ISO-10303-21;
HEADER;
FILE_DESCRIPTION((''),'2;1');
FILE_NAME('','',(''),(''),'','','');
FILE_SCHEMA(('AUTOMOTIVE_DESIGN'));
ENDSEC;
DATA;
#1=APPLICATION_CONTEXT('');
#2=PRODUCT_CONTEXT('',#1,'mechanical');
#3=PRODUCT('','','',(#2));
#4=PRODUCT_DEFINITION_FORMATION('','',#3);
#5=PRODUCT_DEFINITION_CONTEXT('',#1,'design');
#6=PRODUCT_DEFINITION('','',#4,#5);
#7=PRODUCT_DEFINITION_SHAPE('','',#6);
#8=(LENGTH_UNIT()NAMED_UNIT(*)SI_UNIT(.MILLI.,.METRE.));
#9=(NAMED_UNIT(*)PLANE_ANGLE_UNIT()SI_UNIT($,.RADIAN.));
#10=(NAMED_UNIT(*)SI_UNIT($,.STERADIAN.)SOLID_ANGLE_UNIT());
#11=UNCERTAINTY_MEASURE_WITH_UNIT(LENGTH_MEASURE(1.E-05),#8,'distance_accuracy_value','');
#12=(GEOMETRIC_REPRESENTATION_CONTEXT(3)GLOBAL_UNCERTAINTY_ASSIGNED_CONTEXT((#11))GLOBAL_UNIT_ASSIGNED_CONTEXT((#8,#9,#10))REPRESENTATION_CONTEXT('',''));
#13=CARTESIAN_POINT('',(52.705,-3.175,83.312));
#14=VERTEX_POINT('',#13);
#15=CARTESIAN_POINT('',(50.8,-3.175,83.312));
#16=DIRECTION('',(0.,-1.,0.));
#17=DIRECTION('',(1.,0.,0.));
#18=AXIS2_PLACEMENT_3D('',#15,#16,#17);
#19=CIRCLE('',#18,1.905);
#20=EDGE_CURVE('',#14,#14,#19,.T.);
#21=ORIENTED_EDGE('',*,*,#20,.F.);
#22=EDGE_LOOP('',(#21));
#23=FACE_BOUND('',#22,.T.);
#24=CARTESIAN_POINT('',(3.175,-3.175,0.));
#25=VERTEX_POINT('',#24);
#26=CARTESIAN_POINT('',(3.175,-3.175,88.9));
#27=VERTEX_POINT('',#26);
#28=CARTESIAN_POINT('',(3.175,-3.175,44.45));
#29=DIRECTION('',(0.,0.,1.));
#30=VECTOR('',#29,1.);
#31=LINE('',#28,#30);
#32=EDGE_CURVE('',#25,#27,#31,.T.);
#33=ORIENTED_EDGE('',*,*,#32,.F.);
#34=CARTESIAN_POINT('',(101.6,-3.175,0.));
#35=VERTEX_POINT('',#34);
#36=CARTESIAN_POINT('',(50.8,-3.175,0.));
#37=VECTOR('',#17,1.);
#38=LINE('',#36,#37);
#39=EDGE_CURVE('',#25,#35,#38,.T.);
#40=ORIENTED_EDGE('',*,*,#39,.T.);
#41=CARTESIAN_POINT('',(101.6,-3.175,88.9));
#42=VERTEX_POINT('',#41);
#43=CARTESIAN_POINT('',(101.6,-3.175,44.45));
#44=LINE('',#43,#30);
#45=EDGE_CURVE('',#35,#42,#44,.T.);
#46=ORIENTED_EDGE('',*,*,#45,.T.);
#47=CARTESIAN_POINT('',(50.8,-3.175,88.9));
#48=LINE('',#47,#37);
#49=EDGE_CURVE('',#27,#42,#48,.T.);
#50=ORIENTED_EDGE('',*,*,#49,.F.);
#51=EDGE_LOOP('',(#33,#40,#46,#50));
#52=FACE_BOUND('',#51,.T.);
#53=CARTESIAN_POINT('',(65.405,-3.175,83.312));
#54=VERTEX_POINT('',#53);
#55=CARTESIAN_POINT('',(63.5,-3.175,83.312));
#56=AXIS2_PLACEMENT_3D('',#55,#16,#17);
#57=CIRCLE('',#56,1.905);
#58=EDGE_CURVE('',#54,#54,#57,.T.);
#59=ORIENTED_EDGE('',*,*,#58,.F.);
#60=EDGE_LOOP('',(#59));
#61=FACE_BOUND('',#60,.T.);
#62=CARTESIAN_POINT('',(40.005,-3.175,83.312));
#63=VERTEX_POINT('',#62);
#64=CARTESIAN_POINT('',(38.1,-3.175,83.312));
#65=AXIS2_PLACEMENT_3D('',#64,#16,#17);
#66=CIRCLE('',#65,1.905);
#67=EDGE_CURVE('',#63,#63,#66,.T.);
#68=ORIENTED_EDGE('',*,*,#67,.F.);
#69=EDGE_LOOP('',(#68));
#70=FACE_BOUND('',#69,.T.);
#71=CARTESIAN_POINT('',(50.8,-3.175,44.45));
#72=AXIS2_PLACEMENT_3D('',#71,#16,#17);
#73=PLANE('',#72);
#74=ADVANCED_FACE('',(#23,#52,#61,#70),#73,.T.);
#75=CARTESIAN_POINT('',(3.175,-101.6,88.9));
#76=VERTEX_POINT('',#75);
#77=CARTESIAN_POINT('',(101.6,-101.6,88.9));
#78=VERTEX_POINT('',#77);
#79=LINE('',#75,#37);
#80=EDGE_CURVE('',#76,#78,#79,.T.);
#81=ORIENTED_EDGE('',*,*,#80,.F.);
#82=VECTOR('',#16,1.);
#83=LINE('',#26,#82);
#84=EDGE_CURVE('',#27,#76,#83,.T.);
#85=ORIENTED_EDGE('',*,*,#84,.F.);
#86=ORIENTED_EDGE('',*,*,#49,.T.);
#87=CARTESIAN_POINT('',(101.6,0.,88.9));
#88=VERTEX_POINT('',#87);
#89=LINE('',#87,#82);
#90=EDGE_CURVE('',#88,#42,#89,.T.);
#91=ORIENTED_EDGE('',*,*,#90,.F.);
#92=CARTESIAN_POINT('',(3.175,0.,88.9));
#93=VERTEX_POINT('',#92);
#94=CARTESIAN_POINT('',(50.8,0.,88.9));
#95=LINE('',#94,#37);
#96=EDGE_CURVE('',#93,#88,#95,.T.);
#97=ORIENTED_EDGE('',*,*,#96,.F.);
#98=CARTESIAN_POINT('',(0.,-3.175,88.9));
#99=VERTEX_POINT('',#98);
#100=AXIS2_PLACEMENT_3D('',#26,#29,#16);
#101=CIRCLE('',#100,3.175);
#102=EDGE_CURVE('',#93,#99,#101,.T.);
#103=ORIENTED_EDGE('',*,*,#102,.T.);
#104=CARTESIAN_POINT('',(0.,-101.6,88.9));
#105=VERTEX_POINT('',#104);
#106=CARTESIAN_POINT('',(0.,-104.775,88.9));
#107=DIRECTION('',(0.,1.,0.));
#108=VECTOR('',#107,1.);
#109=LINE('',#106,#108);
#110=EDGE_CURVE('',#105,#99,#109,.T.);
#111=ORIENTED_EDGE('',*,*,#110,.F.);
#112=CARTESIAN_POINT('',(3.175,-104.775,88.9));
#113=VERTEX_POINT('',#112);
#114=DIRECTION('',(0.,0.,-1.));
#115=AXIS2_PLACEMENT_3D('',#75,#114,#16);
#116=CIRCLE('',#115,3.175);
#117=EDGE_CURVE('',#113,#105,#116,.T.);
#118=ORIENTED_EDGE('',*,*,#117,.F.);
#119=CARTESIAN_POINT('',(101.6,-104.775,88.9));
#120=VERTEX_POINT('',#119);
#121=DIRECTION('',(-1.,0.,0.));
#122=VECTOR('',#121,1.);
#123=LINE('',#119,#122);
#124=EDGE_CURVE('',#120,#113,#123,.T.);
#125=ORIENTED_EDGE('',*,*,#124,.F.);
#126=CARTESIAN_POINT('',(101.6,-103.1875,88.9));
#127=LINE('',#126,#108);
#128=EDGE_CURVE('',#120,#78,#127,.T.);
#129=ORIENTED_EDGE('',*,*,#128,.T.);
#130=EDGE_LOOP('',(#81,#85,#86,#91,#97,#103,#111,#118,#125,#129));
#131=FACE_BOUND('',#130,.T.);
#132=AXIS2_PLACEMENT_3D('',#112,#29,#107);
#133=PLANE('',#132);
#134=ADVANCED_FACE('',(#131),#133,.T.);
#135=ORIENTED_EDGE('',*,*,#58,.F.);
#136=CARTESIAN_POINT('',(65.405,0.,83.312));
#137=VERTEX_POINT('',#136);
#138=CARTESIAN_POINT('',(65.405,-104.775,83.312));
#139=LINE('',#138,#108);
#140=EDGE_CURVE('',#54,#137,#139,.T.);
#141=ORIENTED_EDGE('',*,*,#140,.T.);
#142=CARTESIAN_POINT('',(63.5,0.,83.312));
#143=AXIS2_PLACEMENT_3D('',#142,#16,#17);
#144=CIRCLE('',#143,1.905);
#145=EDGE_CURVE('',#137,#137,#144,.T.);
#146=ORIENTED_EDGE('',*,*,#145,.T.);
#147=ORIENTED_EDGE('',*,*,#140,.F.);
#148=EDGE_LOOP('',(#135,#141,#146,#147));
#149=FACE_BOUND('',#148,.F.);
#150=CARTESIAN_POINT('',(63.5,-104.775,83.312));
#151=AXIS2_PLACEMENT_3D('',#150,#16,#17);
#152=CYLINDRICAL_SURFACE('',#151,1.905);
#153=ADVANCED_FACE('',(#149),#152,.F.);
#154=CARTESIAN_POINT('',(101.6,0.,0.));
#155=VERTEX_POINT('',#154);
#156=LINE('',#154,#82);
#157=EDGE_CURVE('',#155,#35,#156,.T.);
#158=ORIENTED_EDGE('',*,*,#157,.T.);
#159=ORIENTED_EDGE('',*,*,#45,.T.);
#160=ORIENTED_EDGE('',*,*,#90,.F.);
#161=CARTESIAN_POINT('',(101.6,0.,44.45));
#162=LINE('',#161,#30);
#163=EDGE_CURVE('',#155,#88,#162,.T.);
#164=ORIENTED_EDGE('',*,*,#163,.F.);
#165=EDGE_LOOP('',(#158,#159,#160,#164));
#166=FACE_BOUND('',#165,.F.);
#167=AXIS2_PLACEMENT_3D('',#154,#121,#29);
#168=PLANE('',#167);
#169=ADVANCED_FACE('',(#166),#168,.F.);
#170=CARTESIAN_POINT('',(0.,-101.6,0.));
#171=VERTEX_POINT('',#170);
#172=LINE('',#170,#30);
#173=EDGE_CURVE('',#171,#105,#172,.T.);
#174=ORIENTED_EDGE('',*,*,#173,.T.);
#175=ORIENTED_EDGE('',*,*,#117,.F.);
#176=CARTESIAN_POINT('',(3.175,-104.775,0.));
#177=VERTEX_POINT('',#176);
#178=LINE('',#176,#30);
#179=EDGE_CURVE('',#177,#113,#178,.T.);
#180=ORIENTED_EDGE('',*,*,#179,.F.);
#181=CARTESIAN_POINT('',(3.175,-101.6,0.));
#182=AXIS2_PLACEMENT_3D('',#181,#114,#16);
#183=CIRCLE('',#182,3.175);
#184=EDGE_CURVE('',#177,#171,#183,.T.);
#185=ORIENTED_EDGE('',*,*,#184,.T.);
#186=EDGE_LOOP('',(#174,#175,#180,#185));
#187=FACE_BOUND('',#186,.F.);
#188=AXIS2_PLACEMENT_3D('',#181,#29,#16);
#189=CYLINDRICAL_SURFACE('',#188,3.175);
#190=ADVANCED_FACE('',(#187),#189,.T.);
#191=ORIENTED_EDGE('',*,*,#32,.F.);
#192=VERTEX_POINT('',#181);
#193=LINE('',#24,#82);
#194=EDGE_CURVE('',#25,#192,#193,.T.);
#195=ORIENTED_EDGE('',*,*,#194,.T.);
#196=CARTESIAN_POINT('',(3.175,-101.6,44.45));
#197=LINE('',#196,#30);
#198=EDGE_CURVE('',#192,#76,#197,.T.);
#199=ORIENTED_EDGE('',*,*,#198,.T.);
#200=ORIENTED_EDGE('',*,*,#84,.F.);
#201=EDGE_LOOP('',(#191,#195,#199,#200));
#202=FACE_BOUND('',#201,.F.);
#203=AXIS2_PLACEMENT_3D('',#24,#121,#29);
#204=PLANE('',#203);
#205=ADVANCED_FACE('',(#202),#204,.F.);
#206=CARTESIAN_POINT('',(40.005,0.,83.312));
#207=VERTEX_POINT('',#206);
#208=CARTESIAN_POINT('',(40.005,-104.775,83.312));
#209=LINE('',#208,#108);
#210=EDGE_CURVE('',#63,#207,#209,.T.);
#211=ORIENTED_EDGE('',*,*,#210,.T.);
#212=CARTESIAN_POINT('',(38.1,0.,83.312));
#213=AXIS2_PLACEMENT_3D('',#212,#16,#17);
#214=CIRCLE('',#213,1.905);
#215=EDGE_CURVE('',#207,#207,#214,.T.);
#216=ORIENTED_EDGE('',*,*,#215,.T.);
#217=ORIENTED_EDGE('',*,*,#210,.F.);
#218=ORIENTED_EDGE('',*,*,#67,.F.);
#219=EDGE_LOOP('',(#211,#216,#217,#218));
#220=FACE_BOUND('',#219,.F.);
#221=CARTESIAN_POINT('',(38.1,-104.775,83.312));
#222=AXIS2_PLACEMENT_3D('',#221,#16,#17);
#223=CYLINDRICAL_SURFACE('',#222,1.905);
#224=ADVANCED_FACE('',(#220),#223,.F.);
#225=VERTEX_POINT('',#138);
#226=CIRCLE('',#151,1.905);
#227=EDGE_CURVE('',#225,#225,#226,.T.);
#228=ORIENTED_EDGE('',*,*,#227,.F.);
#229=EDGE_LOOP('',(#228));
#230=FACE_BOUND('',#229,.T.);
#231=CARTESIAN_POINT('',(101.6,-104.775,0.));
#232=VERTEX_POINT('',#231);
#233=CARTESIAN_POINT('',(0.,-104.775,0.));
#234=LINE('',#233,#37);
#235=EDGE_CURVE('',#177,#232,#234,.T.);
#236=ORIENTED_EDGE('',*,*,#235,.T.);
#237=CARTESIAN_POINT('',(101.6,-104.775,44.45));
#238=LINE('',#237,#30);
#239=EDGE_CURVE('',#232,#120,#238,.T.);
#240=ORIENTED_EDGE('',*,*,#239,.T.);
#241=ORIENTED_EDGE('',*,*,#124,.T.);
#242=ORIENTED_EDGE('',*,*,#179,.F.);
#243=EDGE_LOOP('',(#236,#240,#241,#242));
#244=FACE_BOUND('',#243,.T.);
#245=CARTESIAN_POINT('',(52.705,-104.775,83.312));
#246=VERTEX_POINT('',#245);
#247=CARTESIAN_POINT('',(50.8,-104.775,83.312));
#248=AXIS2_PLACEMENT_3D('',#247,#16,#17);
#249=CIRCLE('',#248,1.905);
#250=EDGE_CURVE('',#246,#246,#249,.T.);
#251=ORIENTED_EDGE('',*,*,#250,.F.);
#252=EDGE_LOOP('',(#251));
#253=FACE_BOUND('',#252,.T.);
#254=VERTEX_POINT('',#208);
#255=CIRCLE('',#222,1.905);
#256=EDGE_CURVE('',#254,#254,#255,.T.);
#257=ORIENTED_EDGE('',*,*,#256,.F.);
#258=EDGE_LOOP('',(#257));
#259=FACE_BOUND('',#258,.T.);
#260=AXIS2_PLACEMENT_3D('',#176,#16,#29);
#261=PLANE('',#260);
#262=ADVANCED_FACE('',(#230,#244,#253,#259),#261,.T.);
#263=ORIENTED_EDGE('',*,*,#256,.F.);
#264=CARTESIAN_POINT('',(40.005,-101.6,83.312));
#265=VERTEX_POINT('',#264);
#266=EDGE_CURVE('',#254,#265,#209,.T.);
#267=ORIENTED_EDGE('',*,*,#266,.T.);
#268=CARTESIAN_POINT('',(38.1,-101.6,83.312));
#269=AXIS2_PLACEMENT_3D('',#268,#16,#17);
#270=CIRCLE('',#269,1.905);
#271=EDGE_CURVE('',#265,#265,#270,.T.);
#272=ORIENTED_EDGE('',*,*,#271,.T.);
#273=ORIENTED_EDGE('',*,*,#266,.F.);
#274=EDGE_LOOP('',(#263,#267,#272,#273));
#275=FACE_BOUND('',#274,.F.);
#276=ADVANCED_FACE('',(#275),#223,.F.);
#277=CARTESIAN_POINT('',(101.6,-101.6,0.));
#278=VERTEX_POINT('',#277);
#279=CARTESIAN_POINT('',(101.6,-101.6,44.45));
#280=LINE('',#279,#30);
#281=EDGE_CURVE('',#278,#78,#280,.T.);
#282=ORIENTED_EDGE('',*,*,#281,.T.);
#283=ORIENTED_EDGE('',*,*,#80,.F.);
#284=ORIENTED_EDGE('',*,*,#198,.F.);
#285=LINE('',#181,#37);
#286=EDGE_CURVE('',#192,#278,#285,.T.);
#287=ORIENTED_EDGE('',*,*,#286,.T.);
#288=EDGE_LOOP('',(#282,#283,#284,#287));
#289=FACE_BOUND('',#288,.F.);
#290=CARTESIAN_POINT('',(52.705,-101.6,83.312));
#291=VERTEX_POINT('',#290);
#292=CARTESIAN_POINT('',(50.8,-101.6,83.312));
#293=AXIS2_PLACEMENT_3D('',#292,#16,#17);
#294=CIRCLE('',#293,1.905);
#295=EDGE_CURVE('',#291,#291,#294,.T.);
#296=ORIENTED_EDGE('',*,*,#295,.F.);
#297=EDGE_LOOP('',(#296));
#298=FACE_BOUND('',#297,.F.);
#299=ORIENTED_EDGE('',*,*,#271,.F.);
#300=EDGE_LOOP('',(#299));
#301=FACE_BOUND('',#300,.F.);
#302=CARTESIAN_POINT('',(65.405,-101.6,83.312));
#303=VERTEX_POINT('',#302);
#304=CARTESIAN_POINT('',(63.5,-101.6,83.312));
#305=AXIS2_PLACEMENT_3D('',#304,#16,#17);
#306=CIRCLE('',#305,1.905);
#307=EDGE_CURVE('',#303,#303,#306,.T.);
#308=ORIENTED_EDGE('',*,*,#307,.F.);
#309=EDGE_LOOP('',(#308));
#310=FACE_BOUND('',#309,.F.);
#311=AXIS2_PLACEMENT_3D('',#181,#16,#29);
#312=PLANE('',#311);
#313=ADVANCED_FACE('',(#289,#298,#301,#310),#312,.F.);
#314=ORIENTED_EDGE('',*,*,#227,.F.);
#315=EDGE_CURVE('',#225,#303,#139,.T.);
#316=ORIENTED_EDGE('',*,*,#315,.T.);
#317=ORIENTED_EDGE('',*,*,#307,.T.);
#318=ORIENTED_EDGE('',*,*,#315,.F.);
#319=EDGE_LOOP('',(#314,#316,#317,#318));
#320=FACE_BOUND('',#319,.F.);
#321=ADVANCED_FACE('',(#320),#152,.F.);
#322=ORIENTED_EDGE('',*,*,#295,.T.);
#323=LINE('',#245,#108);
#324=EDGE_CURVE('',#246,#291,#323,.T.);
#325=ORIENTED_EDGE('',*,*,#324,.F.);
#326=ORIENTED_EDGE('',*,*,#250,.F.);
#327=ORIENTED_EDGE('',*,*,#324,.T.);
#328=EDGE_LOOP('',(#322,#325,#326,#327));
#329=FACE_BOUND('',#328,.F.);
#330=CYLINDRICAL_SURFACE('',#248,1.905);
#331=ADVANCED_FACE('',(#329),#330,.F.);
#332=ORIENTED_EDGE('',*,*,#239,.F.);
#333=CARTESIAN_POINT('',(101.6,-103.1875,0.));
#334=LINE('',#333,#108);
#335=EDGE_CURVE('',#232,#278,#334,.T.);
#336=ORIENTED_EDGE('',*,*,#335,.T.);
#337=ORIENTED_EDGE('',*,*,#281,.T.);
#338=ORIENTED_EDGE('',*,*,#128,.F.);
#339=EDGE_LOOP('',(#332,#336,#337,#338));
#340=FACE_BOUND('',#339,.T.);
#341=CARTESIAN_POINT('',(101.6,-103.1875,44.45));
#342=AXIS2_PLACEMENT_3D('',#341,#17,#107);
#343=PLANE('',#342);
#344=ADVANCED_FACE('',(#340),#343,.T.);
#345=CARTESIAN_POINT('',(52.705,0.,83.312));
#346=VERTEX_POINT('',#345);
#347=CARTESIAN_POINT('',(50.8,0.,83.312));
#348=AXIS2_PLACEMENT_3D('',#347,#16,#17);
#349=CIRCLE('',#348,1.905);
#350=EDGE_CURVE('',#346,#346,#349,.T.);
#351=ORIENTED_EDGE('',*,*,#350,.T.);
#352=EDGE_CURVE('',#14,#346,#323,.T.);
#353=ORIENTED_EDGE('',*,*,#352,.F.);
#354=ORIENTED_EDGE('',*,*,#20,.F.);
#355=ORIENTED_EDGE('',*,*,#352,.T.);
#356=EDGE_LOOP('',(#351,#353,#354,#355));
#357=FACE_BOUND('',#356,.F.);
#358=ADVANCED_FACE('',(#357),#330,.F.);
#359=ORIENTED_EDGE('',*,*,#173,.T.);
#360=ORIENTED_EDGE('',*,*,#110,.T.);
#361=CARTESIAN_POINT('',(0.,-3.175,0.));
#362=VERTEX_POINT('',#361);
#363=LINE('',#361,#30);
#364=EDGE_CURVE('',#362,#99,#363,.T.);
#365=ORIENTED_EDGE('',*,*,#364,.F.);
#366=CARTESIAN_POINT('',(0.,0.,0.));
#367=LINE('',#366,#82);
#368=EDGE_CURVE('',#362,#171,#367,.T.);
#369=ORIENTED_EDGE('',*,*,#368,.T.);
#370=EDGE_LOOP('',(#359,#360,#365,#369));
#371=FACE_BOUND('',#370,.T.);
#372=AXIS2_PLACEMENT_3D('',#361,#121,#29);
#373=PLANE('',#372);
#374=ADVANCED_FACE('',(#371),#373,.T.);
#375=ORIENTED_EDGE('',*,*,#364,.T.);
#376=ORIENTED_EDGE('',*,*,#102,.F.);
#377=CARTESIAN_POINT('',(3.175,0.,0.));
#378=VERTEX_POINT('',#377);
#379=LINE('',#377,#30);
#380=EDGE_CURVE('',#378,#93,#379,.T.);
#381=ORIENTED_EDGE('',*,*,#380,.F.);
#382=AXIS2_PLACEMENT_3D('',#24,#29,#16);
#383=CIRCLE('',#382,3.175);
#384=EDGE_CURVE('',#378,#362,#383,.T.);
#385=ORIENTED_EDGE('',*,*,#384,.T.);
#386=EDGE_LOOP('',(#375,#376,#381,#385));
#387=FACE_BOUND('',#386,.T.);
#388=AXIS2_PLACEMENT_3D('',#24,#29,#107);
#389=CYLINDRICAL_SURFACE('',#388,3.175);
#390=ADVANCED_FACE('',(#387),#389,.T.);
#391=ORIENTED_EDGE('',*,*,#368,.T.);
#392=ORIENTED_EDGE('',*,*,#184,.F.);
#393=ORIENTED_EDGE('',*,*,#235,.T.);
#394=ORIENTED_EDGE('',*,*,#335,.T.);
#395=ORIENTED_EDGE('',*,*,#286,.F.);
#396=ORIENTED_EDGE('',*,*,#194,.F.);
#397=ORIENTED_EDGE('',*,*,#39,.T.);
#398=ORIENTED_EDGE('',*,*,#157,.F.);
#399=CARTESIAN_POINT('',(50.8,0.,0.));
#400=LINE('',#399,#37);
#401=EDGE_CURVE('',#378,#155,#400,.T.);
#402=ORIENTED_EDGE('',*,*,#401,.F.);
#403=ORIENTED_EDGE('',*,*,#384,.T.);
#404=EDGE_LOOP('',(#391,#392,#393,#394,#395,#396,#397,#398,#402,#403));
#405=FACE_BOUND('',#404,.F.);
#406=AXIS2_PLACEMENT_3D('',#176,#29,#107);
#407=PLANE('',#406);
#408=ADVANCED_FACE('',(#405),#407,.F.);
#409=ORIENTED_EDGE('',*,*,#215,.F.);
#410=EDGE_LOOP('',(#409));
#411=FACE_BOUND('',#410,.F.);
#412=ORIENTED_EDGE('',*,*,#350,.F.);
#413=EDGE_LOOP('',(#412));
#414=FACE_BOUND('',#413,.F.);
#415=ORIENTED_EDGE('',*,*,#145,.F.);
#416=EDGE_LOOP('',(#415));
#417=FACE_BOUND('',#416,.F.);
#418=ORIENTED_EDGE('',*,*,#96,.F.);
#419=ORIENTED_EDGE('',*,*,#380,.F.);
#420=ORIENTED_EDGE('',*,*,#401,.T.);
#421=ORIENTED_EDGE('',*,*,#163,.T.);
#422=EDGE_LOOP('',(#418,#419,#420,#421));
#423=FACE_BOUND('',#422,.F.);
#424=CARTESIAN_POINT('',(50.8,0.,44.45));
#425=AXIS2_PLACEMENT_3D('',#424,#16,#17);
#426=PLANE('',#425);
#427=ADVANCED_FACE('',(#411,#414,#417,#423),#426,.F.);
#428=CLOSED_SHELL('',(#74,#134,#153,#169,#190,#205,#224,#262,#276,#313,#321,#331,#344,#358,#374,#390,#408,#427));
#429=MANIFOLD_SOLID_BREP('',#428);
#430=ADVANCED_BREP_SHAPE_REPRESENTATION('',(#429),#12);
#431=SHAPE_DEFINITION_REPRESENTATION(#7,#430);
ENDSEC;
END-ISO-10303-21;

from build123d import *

# Parameters (mm, degrees)
F0_W     = 101.6
F0_H     = 88.9
F1_DEPTH = 3.175
F2_W     = 3.175
F2_H     = 88.9
F3_DEPTH = 101.6
F4_W     = 3.175
F4_H     = 88.9
F5_DEPTH = 98.425
F6_R     = 3.175
F7_R     = 1.905
F8_DEPTH = 104.776


with BuildPart() as f1:
    # F0 (on Front) → F1 (new body)
    with BuildSketch(Plane.XZ):
        with Locations((50.8, 44.45)):
            Rectangle(F0_W, F0_H)
    extrude(amount=F1_DEPTH)

    # F2 (on face) → F3 (join)
    with BuildSketch(Plane.XZ.offset(3.175)):
        with Locations((1.5875, 44.45)):
            Rectangle(F2_W, F2_H)
    extrude(amount=F3_DEPTH)

    # F4 (on face) → F5 (join, through all)
    with BuildSketch(Plane.YZ.offset(3.175)):
        with Locations((-103.1875, 44.45)):
            Rectangle(F4_W, F4_H)
    extrude(amount=F5_DEPTH)

    # F6
    f6_edges = [f1.edges().sort_by_distance(p)[0] for p in [
        (0, 0, 44.45),
        (0, -104.775, 44.45),
    ]]
    fillet(f6_edges, radius=F6_R)

    # F7 (on face) → F8 (cut, through all)
    with BuildSketch(Plane.XZ.offset(104.775)):
        with Locations((38.1, 83.312)):
            Circle(F7_R)
        with Locations((50.8, 83.312)):
            Circle(F7_R)
        with Locations((63.5, 83.312)):
            Circle(F7_R)
    extrude(amount=-F8_DEPTH, mode=Mode.SUBTRACT)


solid = f1.part
